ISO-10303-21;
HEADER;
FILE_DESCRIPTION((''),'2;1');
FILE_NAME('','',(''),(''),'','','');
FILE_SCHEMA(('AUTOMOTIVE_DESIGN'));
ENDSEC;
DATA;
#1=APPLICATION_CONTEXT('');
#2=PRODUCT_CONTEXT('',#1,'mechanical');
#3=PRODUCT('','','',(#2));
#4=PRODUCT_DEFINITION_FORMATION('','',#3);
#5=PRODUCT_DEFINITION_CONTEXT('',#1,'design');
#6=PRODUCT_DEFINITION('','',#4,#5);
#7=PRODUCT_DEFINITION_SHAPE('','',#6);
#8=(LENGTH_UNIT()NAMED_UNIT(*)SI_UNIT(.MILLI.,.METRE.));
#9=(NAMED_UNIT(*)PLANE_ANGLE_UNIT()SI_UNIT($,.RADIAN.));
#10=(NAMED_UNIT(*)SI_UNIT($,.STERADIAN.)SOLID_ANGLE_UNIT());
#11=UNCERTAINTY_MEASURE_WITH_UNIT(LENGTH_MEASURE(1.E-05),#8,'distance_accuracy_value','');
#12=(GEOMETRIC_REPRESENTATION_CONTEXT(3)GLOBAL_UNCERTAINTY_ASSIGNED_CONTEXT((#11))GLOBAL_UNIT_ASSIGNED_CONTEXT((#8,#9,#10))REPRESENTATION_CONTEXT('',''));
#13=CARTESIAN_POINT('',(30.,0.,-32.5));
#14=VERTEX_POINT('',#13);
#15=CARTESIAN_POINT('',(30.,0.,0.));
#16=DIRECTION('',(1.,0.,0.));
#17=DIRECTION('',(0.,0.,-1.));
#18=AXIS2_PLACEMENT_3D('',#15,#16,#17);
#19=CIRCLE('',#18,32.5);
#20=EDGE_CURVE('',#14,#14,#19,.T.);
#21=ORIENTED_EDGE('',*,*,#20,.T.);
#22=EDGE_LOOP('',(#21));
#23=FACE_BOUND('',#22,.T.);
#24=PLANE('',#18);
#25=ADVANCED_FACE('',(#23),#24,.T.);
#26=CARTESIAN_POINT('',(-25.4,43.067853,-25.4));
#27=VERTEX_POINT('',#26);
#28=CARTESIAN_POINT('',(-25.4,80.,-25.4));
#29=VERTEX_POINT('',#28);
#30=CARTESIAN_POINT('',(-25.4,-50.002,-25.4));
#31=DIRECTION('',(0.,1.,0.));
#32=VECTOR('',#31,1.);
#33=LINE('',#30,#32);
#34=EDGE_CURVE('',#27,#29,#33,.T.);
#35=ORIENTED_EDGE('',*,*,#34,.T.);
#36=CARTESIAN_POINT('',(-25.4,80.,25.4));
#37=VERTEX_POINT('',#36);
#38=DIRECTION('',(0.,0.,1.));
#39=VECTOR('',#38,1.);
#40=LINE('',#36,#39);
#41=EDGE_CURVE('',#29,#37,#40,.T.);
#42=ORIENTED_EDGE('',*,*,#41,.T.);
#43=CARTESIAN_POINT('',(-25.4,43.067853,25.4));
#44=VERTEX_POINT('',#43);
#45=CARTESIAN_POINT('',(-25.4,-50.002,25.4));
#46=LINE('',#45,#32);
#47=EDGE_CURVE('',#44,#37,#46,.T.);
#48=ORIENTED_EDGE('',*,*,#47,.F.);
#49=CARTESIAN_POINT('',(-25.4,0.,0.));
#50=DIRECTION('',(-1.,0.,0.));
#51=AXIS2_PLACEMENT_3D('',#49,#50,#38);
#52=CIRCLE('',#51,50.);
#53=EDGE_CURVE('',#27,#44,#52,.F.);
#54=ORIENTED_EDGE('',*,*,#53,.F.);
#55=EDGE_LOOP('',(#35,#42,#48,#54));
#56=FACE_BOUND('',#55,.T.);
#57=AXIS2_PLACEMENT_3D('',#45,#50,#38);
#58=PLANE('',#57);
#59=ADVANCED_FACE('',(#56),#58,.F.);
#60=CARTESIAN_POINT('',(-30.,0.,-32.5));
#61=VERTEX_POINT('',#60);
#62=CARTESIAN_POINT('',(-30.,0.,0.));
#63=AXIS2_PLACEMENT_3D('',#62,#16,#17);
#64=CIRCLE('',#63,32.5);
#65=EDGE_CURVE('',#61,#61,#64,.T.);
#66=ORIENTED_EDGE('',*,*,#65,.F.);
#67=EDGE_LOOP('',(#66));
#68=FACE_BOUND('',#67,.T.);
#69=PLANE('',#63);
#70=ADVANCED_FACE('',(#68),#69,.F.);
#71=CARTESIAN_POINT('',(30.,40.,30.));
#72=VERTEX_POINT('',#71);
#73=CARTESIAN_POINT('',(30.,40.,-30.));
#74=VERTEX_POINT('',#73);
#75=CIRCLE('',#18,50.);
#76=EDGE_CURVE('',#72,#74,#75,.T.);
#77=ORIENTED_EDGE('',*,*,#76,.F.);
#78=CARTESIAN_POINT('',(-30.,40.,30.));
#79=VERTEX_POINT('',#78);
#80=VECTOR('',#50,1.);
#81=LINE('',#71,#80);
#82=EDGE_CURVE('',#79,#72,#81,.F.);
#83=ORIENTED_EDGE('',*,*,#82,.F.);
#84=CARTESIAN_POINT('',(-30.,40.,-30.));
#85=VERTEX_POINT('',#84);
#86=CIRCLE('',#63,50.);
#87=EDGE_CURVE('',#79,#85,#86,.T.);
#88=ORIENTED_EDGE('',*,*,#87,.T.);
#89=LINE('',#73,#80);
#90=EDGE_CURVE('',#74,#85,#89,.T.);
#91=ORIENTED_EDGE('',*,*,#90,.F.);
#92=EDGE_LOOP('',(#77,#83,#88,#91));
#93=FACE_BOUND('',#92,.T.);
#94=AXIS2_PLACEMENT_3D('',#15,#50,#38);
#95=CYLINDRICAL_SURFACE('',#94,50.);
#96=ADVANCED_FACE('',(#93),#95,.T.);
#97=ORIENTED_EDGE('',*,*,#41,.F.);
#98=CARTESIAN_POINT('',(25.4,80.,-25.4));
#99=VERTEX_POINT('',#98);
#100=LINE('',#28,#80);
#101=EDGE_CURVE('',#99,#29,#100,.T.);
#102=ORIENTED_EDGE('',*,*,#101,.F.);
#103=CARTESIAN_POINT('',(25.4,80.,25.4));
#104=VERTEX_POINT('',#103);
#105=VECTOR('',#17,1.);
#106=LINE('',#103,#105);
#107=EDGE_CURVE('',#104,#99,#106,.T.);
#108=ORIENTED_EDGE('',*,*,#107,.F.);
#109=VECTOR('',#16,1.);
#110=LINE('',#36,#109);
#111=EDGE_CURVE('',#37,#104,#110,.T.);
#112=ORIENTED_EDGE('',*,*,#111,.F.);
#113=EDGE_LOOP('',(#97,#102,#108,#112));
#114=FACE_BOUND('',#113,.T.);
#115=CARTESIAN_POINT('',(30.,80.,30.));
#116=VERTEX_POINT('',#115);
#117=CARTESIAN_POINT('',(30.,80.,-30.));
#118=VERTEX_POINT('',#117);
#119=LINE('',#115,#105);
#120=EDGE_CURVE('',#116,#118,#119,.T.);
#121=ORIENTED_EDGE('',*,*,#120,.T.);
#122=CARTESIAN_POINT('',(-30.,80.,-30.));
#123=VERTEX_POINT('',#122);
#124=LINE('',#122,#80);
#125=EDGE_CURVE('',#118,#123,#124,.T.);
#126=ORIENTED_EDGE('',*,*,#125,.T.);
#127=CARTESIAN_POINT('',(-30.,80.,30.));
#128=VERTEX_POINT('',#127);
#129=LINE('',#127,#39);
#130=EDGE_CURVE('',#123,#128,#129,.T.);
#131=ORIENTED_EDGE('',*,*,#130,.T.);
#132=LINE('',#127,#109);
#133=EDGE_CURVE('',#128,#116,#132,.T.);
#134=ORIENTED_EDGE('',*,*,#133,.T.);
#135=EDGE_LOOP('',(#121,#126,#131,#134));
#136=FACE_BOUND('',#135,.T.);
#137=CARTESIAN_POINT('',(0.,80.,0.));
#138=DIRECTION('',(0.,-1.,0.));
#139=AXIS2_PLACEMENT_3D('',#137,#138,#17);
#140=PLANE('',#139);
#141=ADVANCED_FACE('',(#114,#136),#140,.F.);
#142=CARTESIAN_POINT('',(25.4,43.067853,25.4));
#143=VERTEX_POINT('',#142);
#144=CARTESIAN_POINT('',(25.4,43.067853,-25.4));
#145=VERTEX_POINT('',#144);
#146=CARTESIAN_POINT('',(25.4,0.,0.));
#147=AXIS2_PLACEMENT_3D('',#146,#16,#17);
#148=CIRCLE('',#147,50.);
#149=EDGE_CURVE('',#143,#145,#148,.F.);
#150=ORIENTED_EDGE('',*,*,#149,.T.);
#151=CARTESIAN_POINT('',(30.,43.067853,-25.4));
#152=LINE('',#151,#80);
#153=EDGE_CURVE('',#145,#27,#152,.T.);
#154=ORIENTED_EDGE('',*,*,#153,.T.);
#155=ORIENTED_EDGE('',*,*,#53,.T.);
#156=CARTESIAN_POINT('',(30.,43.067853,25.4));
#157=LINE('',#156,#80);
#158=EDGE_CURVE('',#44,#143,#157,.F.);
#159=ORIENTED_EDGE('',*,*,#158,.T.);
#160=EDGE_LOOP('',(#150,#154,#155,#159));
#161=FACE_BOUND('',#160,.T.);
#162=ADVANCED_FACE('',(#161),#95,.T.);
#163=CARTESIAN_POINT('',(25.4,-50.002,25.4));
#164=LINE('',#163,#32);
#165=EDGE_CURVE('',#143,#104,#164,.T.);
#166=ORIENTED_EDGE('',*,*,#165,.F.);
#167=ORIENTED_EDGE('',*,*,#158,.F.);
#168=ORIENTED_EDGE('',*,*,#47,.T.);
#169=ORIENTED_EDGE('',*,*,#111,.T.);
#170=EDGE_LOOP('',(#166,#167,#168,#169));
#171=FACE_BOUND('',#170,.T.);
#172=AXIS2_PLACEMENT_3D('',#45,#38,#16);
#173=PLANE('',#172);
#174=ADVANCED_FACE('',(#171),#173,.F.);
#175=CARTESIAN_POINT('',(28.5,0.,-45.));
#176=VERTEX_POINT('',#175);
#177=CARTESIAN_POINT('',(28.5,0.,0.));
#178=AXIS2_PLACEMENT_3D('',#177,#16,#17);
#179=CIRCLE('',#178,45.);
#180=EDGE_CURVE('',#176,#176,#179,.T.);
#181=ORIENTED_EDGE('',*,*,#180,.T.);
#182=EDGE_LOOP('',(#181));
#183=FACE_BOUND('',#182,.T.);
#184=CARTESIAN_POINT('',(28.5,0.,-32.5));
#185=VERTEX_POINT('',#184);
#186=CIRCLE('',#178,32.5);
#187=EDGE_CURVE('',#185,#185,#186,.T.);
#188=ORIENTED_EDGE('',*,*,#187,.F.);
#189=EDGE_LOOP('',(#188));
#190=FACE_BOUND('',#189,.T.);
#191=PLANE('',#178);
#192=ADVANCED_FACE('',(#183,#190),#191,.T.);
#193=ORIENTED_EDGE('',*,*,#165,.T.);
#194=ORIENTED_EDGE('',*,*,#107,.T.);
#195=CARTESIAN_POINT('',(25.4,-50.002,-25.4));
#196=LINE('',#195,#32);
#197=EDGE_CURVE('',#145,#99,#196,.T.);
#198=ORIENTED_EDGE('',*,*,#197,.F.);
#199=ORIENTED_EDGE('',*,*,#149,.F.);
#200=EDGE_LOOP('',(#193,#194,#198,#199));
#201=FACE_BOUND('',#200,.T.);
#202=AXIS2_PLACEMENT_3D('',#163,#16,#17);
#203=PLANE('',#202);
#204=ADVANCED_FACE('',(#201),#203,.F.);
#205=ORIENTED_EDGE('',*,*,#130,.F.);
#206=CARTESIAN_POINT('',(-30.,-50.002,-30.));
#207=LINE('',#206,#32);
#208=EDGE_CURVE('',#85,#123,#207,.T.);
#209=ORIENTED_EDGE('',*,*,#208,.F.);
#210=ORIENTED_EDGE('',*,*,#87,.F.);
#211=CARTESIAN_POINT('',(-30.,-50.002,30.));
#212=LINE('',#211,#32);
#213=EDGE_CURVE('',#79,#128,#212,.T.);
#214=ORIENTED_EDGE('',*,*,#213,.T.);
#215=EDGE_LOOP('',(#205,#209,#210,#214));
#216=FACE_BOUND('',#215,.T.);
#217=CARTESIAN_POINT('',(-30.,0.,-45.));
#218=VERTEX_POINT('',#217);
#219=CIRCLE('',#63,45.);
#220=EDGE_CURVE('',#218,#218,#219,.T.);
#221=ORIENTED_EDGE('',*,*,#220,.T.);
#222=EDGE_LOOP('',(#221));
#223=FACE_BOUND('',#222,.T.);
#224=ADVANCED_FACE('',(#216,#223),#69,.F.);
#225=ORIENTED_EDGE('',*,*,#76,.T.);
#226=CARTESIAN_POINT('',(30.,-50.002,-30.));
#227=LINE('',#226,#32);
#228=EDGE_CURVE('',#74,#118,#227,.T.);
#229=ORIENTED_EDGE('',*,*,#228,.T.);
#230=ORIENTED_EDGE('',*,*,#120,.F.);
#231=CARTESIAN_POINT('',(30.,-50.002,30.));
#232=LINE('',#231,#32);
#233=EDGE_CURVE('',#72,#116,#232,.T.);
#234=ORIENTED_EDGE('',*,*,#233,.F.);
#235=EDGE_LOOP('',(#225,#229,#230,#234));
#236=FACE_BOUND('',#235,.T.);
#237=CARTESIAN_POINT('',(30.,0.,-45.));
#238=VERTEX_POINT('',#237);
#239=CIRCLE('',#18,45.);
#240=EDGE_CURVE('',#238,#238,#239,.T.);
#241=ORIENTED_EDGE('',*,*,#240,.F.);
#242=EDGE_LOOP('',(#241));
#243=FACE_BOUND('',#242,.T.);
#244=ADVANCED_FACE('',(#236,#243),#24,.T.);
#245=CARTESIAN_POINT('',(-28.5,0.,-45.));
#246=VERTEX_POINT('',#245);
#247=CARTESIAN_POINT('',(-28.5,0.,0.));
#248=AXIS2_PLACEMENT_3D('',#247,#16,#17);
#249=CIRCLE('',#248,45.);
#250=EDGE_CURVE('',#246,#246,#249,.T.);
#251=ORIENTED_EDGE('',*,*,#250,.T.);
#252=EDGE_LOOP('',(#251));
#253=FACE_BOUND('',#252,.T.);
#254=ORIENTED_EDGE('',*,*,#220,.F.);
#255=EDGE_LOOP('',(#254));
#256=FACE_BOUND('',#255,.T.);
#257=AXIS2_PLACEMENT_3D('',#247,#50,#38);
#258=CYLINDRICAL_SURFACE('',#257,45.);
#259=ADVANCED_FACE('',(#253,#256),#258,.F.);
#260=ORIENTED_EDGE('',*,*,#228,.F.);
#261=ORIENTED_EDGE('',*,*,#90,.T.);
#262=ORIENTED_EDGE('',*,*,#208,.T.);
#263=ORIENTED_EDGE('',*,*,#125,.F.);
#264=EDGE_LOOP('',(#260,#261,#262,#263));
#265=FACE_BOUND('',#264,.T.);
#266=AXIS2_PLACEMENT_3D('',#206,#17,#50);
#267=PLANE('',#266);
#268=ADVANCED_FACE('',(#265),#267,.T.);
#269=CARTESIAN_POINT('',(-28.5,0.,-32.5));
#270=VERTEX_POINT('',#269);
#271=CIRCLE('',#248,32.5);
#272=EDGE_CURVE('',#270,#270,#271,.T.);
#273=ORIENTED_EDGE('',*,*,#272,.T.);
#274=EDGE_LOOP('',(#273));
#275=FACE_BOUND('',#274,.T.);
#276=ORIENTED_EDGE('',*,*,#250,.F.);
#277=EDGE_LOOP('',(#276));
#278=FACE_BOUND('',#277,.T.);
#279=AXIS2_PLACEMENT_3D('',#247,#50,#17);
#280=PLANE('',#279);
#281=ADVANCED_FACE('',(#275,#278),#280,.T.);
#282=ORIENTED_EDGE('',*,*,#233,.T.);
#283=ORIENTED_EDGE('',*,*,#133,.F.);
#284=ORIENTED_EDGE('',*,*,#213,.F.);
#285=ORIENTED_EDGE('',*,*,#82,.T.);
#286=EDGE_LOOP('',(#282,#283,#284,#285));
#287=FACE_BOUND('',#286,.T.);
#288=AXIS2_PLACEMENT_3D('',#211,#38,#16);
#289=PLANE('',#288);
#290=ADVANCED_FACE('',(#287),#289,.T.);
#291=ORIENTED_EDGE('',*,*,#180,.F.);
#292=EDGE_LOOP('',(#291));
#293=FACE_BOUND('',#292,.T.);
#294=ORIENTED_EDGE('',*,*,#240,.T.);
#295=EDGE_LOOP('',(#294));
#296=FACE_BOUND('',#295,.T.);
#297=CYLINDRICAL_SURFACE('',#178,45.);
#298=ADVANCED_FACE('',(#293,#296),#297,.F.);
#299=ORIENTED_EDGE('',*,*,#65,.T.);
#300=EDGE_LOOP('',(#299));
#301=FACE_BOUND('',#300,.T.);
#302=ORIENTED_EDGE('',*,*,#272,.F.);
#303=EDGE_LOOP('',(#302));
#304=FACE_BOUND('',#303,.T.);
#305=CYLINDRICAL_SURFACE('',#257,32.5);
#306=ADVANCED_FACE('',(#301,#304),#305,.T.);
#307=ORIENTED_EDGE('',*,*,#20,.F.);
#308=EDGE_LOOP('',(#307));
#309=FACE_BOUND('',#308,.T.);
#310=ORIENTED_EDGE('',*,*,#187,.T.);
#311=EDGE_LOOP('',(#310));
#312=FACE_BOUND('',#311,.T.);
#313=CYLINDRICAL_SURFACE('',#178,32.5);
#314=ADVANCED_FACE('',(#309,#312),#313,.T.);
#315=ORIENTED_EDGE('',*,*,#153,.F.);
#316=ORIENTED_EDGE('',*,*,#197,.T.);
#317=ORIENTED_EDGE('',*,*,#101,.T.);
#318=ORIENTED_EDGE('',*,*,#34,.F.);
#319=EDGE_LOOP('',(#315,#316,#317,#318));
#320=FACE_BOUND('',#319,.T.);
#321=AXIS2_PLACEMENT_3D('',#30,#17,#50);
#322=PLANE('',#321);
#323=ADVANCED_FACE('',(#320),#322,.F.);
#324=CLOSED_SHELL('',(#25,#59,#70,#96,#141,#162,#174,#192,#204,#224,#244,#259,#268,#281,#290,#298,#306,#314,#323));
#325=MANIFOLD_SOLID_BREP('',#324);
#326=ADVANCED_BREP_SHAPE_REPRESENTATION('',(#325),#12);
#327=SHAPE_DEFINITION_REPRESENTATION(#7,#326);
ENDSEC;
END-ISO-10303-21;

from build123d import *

# Parameters (mm, degrees)
CROQUIS1_R                   = 50
SALIENTE_EXTRUIR1_DEPTH      = 30
SALIENTE_EXTRUIR2_REACH      = 144.478
SALIENTE_EXTRUIR2_END_RADIUS = 50
CROQUIS3_W                   = 60
CROQUIS3_H                   = 60
CROQUIS3_W_2                 = 50.8
CROQUIS3_H_2                 = 50.8
CROQUIS4_R                   = 45
CROQUIS4_R_2                 = 32.5
CORTAR_EXTRUIR1_DEPTH        = 1.5


with BuildPart() as part:
    # Croquis1 → Saliente-Extruir1 (new, symmetric)
    with BuildSketch(Plane(origin=(0, 0, 0), x_dir=(0, 0, -1), z_dir=(1, 0, 0))):
        Circle(CROQUIS1_R)
    extrude(amount=SALIENTE_EXTRUIR1_DEPTH, both=True)

    # Saliente-Extruir2: up to this cylinder (the profile starts outside it)
    saliente_extruir2_end = Plane(origin=(0, 0, 0), z_dir=(-1, 0, 0)) * Cylinder(SALIENTE_EXTRUIR2_END_RADIUS, 389.956, mode=Mode.PRIVATE)
    # Croquis3 → Saliente-Extruir2 (add, up to the surface)
    with BuildSketch(Plane(origin=(0, 80, 0), x_dir=(1, 0, 0), z_dir=(0, 1, 0)), mode=Mode.PRIVATE) as saliente_extruir2_sk1:
        Rectangle(CROQUIS3_W, CROQUIS3_H)
        Rectangle(CROQUIS3_W_2, CROQUIS3_H_2, mode=Mode.SUBTRACT)
    saliente_extruir2_tool1 = extrude(saliente_extruir2_sk1.sketch, amount=-SALIENTE_EXTRUIR2_REACH, mode=Mode.PRIVATE) - saliente_extruir2_end
    add(saliente_extruir2_tool1.solids().sort_by_distance((0, 80, 29.151472))[0])

    # Croquis4 → Cortar-Extruir1 (cut)
    with BuildSketch(Plane(origin=(30, 0, 0), x_dir=(0, 0, -1), z_dir=(1, 0, 0))):
        Circle(CROQUIS4_R)
        Circle(CROQUIS4_R_2, mode=Mode.SUBTRACT)
    cortar_extruir1 = extrude(amount=-CORTAR_EXTRUIR1_DEPTH, mode=Mode.SUBTRACT)

    # Simetría1: Cortar-Extruir1 across plane
    add(cortar_extruir1.mirror(Plane(origin=(0, 0, 0), x_dir=(0, 0, 1), z_dir=(1, 0, 0))), mode=Mode.SUBTRACT)


solid = part.part
